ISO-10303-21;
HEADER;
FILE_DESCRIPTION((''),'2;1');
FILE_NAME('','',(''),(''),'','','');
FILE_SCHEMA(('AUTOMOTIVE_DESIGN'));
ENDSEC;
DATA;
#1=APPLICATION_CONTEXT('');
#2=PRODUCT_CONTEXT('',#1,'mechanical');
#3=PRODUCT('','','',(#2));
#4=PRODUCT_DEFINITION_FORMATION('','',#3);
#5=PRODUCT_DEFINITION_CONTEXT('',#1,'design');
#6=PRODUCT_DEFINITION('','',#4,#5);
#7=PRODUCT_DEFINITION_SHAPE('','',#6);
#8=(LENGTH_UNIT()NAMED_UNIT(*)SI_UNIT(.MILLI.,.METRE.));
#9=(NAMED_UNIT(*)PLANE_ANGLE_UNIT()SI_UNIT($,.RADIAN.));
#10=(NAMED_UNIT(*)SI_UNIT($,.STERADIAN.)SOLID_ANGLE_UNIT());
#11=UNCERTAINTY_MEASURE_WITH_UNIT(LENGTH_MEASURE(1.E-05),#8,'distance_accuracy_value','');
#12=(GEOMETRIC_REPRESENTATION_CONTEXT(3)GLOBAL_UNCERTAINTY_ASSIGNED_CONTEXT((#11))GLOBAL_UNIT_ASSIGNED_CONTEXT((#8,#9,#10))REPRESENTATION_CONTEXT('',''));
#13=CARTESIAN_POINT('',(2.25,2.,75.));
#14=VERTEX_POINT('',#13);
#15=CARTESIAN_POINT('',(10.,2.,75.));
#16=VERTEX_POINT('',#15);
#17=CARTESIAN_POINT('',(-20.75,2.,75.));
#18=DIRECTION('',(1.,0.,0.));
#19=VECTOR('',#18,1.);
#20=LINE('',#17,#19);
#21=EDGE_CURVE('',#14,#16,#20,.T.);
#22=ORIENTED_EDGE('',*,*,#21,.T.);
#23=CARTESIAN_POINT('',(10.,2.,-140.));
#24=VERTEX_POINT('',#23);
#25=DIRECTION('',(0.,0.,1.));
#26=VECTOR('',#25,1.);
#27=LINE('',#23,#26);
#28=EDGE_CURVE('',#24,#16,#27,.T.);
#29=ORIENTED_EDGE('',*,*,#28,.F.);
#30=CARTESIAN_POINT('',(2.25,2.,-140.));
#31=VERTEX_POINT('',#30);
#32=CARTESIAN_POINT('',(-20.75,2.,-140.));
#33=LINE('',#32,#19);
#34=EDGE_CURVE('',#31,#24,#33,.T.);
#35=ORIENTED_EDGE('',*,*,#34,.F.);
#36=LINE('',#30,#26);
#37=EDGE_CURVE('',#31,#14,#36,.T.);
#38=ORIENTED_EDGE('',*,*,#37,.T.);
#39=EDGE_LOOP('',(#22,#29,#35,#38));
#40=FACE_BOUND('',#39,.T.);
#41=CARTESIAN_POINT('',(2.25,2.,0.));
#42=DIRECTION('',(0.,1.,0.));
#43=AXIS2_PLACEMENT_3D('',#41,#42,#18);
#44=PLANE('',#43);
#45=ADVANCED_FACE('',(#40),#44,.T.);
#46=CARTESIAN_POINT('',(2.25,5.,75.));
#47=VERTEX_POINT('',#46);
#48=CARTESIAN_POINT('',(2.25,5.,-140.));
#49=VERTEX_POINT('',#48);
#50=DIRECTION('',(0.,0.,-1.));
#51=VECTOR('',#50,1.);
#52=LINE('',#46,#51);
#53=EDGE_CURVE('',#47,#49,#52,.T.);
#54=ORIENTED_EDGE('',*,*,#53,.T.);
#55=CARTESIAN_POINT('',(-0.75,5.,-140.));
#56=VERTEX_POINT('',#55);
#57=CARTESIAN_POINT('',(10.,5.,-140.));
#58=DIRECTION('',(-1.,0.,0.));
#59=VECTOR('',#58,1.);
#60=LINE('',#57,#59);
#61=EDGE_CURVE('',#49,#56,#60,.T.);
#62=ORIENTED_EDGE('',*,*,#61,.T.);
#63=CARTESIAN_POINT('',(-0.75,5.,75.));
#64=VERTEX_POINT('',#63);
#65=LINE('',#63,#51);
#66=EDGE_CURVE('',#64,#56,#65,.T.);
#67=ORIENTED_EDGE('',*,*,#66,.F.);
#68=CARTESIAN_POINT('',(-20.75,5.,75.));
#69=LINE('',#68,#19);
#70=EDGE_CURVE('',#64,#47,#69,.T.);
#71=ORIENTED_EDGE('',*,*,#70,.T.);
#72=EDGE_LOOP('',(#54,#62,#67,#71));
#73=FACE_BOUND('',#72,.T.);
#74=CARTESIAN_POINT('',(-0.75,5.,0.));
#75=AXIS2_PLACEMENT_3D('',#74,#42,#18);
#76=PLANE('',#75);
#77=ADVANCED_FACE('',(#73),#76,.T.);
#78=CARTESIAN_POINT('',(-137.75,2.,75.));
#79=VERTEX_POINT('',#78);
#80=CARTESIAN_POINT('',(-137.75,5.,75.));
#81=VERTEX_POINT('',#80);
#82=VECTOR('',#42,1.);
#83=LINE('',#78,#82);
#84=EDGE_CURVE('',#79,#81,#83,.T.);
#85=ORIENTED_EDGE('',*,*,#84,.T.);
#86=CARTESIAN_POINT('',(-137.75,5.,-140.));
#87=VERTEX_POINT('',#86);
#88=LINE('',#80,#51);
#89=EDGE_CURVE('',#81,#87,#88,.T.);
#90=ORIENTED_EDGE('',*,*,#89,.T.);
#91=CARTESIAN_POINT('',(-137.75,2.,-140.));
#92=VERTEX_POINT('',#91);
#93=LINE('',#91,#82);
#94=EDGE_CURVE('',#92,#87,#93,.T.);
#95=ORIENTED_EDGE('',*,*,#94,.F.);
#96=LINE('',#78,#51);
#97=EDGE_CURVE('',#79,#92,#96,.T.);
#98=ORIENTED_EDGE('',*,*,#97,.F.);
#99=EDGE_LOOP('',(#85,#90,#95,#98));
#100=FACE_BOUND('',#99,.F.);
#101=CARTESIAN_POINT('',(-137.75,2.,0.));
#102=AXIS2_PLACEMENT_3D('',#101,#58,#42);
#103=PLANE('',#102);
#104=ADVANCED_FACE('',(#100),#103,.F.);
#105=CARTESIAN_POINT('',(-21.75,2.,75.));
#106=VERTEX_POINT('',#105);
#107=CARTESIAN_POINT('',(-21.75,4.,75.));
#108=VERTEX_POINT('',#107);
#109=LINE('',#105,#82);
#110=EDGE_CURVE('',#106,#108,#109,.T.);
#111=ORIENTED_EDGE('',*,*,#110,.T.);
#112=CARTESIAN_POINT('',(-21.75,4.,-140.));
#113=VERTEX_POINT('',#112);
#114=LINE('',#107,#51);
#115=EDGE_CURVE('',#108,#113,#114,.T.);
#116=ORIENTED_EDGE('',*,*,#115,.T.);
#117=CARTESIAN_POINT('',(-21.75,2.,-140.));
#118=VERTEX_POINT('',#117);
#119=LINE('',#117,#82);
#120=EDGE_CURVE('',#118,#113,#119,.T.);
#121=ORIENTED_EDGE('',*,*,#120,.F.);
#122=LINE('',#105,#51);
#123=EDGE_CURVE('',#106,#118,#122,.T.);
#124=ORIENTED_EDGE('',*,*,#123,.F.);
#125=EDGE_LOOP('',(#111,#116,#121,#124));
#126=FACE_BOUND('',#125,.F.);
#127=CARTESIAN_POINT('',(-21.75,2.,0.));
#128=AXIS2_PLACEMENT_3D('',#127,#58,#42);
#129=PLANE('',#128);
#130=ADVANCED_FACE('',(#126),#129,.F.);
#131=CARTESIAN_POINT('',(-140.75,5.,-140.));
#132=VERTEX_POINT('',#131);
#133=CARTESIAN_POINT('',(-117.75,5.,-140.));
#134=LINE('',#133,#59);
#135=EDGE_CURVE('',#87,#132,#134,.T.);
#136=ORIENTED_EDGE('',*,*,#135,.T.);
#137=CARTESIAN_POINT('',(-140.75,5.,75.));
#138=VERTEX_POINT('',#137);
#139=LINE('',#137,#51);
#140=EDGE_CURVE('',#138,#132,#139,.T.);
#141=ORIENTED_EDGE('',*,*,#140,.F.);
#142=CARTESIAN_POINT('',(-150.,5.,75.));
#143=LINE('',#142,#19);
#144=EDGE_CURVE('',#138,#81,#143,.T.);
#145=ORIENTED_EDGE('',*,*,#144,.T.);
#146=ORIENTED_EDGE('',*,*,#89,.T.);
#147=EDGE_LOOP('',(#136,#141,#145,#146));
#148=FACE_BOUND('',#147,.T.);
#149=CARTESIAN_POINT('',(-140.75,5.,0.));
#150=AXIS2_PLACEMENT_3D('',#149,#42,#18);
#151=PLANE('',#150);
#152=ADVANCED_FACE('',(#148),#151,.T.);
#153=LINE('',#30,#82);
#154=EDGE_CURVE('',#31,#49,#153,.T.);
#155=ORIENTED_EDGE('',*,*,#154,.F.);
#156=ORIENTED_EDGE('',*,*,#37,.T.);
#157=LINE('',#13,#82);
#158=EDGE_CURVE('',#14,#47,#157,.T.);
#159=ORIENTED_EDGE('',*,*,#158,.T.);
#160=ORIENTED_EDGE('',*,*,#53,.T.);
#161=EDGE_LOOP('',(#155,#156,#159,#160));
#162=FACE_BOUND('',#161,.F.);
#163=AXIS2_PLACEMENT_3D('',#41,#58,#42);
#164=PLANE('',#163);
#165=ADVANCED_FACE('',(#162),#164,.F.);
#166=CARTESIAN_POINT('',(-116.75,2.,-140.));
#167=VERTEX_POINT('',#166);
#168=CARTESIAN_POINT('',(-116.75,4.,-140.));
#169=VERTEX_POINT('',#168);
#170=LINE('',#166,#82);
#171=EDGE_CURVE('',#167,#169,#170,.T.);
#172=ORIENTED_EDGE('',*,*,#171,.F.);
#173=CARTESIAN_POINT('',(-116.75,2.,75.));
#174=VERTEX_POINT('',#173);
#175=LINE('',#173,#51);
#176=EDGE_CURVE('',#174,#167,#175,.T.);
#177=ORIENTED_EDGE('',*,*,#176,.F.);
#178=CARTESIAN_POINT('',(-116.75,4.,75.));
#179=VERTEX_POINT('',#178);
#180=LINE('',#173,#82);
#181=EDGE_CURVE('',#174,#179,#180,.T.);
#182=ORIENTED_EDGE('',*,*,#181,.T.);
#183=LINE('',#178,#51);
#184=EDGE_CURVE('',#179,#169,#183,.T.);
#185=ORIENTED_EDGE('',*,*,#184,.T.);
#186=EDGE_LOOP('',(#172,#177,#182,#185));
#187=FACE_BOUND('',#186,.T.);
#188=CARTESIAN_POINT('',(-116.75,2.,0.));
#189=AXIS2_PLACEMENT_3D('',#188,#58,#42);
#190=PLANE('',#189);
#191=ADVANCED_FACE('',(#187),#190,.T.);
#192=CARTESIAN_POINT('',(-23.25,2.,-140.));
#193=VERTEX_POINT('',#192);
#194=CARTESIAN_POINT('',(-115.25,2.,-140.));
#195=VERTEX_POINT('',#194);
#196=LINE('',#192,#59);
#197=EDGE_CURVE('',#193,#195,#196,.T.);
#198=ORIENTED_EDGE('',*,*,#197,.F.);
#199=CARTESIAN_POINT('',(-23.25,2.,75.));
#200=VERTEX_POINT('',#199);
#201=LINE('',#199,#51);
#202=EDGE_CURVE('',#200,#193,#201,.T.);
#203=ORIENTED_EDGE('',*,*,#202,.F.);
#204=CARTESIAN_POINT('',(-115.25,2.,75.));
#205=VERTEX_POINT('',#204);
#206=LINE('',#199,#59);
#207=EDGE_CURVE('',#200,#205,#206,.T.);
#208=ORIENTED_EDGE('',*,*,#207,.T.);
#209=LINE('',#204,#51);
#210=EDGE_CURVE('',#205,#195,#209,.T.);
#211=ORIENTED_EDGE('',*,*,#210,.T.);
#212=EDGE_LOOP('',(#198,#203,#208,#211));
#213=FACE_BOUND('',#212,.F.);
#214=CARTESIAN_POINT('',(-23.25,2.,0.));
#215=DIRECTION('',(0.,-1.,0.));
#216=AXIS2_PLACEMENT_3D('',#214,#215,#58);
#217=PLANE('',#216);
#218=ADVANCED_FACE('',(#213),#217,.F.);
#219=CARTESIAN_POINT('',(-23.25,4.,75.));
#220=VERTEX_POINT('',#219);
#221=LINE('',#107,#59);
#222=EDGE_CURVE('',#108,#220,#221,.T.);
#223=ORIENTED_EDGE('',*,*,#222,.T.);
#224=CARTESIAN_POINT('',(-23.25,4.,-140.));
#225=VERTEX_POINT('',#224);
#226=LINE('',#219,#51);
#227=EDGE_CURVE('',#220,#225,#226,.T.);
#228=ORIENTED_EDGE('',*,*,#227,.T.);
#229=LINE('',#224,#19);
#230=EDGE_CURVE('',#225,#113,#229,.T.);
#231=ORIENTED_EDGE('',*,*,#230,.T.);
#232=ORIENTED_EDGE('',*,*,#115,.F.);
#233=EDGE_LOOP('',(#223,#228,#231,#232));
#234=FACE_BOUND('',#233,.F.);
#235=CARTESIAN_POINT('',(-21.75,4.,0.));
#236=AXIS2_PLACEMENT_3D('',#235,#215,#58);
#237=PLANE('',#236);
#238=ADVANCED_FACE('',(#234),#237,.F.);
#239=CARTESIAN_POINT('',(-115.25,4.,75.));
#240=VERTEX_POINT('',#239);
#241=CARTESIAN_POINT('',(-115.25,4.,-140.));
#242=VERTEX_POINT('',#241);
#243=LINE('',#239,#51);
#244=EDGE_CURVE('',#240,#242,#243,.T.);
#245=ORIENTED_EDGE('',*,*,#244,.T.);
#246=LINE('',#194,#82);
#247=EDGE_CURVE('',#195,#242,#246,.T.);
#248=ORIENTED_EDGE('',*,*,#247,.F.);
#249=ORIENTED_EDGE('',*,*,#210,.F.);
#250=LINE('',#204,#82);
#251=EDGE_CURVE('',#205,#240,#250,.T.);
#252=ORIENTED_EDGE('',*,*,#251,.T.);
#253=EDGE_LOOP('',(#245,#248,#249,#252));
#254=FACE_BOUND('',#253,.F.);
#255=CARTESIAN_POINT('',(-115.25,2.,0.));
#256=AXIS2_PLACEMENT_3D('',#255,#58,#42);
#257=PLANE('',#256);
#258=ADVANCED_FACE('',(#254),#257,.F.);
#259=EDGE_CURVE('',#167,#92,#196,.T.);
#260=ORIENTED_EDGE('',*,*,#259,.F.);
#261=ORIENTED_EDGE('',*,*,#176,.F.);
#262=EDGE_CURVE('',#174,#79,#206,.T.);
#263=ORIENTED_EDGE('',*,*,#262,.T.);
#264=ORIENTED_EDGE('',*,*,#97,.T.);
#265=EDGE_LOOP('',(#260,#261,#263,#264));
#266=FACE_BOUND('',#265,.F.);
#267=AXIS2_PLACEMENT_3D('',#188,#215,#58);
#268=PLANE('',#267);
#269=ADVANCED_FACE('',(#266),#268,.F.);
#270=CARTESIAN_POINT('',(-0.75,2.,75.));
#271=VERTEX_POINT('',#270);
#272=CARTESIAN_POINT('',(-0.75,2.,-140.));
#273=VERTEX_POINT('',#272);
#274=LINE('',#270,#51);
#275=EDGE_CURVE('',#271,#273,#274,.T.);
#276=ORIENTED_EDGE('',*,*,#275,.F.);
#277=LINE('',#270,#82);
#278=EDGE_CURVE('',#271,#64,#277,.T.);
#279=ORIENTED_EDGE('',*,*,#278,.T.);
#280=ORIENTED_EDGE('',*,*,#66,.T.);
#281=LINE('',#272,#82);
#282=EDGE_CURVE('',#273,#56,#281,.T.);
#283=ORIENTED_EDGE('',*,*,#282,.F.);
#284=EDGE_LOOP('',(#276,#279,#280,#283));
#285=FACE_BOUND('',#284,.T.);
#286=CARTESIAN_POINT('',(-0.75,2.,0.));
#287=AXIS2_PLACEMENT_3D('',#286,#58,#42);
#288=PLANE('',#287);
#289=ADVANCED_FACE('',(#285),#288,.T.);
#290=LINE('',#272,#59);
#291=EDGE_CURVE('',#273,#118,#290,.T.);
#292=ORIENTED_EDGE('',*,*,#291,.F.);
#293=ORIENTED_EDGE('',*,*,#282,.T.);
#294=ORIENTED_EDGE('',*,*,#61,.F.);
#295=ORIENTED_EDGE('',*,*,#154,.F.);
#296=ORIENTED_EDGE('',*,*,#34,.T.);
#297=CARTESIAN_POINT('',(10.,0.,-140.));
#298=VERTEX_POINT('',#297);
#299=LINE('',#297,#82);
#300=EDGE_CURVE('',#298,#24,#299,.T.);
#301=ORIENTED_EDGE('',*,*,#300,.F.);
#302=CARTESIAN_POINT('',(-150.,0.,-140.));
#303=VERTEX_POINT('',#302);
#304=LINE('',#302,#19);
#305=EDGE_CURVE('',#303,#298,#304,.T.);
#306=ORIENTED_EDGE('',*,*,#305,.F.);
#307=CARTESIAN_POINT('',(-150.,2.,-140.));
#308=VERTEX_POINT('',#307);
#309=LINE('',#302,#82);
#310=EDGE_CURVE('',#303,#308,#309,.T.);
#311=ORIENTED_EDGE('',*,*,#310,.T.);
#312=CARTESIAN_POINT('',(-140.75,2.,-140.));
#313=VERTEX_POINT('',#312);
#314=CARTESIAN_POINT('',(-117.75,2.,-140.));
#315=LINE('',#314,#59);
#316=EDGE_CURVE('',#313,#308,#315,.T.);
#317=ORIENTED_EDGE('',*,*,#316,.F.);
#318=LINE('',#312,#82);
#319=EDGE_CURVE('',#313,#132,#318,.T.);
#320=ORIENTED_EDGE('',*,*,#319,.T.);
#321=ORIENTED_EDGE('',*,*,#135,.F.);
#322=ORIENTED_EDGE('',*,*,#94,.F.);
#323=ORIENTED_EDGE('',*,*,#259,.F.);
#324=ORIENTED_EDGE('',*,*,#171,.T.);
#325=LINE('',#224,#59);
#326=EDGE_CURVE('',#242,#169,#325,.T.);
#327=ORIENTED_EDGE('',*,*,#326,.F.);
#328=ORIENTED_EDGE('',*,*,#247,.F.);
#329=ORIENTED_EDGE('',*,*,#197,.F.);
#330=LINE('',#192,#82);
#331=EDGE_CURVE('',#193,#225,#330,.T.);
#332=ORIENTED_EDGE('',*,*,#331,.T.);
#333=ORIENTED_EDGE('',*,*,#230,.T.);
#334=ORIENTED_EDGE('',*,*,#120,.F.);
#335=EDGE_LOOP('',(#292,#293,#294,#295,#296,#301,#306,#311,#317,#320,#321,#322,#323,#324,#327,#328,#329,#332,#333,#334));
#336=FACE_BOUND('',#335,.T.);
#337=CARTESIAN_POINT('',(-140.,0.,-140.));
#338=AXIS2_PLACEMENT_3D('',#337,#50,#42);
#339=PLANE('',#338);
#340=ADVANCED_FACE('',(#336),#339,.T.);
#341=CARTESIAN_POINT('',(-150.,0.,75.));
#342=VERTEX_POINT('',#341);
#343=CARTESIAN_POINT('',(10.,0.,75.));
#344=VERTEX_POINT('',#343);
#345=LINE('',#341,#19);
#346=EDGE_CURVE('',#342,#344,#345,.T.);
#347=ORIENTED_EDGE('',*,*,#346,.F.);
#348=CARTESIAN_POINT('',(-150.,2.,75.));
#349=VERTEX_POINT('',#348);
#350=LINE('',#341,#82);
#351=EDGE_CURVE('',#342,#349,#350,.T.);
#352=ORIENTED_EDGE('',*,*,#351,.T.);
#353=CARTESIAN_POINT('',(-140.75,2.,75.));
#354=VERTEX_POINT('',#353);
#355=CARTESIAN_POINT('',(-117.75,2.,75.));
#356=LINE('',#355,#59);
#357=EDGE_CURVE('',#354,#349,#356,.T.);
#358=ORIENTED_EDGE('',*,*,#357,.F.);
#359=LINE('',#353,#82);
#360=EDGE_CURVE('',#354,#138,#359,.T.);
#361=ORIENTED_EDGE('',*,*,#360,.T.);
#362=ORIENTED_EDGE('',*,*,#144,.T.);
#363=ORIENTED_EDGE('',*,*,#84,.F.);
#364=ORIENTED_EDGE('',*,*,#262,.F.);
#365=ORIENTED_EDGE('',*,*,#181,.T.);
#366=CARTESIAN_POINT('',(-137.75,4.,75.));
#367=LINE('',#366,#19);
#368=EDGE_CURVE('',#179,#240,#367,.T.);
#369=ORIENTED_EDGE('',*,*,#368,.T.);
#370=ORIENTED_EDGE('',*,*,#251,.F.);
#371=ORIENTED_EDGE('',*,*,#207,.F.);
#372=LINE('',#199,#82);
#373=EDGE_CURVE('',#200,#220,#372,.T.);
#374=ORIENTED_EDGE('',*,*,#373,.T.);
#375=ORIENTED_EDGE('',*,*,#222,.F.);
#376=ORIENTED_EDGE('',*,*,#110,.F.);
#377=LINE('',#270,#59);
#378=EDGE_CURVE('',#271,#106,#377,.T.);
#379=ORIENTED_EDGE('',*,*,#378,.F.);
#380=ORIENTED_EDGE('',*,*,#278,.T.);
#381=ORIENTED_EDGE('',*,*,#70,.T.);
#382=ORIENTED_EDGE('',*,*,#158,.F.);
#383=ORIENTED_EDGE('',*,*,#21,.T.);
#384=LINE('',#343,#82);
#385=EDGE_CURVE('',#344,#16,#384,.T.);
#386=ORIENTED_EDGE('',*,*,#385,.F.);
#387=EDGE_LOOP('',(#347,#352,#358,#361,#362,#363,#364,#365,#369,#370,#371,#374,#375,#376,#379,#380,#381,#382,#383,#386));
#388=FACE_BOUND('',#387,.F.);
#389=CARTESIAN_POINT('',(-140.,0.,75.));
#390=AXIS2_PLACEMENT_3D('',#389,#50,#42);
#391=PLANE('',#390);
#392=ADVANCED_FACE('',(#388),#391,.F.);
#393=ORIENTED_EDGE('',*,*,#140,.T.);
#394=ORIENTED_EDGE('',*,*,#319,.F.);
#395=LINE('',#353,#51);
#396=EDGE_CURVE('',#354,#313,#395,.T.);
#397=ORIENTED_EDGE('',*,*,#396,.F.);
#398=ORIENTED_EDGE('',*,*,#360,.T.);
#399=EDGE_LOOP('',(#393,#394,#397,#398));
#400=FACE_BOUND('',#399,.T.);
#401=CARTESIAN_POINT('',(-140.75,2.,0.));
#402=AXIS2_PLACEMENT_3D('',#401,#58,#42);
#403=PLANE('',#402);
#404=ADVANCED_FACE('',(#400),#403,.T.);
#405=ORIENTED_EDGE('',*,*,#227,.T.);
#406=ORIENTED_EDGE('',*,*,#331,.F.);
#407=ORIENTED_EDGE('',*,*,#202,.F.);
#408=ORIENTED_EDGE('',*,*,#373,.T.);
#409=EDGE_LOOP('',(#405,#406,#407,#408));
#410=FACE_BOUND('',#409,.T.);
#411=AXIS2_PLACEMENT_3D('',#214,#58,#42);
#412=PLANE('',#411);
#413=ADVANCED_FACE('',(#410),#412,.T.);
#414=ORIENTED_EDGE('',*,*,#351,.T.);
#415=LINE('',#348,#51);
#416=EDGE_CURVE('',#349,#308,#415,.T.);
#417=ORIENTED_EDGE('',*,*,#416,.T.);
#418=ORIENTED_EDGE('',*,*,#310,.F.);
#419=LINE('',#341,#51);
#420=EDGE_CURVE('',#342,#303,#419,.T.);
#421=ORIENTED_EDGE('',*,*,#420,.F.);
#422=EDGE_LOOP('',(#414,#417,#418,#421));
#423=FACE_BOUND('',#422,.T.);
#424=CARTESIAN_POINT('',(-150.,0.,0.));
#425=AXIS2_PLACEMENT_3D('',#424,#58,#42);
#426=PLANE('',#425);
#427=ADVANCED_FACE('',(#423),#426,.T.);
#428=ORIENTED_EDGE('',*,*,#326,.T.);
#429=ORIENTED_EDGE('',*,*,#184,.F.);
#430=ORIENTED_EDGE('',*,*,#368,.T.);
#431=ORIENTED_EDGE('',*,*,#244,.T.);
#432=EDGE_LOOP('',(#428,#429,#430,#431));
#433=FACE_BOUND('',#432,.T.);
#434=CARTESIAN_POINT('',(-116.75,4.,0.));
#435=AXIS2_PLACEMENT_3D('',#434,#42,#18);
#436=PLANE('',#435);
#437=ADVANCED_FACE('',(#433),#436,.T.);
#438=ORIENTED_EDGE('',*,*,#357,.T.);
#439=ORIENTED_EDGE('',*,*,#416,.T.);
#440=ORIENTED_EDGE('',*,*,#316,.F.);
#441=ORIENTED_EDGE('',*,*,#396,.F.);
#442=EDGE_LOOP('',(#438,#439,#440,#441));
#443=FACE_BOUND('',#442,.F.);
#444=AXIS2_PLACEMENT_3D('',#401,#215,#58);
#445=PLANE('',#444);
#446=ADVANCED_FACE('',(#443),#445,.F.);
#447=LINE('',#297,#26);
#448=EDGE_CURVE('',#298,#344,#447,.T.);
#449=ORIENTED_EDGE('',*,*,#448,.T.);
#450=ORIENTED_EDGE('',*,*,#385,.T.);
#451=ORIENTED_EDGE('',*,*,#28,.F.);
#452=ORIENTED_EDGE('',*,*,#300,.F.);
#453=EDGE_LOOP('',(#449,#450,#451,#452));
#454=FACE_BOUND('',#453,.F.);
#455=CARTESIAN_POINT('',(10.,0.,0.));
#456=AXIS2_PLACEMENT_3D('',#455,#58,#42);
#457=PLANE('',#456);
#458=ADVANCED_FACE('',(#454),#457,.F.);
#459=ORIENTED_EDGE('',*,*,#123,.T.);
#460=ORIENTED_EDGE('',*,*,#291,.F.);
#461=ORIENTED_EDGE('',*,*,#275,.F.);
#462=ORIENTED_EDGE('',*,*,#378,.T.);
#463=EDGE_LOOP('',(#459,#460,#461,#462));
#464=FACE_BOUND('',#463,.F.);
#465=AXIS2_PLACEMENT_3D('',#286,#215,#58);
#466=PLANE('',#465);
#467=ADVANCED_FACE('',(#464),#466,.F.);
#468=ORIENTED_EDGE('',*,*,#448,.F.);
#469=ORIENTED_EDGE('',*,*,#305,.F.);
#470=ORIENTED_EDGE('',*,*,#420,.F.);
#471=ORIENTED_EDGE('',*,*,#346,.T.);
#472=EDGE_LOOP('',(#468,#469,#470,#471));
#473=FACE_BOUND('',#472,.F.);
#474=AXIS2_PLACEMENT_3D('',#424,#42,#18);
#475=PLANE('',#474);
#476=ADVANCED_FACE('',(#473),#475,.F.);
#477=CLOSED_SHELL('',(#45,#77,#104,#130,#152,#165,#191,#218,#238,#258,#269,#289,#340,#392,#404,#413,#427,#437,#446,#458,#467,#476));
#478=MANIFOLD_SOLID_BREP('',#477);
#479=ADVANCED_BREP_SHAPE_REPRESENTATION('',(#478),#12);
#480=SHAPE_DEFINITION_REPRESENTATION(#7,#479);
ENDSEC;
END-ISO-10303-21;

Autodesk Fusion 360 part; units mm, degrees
sketch "Sketch1" plane through (0, 0, 0) normal (0, 1, 0) x (1, 0, 0)
  line L0 (0, 0) -> (-140, 0)
  line L1 (-140, 0) -> (-140, 140)
  line L2 (-140, 140) -> (0, 140)
  line L3 (0, 140) -> (0, 0)
  dimension "d1" = 140
  dimension "d2" = 140
extrude "Extrude1" add sketch "Sketch1" along normal blind 2 makes body 1
sketch "Sketch2" plane through (0, 2, 0) normal (0, 1, 0) x (-1, 0, 0)
  line L0 (0, -140) -> (140, -140)
  line L1 (140, -140) -> (140, 0)
  line L2 (140, 0) -> (0, 0)
  line L3 (0, 0) -> (0, -140)
  line L4 (70, -140) -> (23, -140)
  line L5 (117, -140) -> (116, -140)
  line L6 (117, -140) -> (117.75, -140)
  line L7 (117.75, -140) -> (116.25, -140)
  line L8 (117.75, -140) -> (116.25, -140)
  line L9 (116.25, -140) -> (116.25, 0)
  line L10 (116.25, 0) -> (117.75, 0)
  line L11 (117.75, 0) -> (117.75, -140)
  dimension "d5" = 47
  dimension "d6" = 47
  dimension "d7" = 0.75
  dimension "d8" = 1.5
extrude "Extrude2" add sketch "Sketch2" along normal blind 2 contours L0 L2 L5 L6 L7 L8 L9 L10 L11 bodies 1
sketch "Sketch3" plane through (0, 2, 0) normal (0, 1, 0) x (-1, 0, 0)
  line L0 (116.25, -140) -> (116.25, 0)
  line L1 (116.25, 0) -> (0, 0)
  line L2 (0, 0) -> (0, -140)
  line L3 (0, -140) -> (116.25, -140)
  line L4 (0, -140) -> (22.25, -140)
  line L5 (22.25, -140) -> (20.75, -140)
  line L6 (20.75, -140) -> (20.75, 0)
  line L7 (20.75, 0) -> (22.25, 0)
  line L8 (22.25, 0) -> (22.25, -140)
  dimension "d11" = 22.25
  dimension "d12" = 1.5
extrude "Extrude3" add sketch "Sketch3" along normal blind 2 contours L1 L3 L4 L5 L6 L7 L8 bodies 1
sketch "Sketch4" plane through (0, 2, 0) normal (0, 1, 0) x (-1, 0, 0)
extrude "Extrude4" add 1 faces at (0, 0.6667, -93.3333) along direction (1, 0, 0) blind 10 on bodies 1 bodies 1
extrude "Extrude5" add 1 faces at (-140, 0.6667, -46.6667) along direction (-1, 0, 0) blind 10 on bodies 1 bodies 1
sketch "Sketch5" plane through (0, 2, 0) normal (0, 1, 0) x (-1, 0, 0)
  line L0 (20.75, -140) -> (20.75, 0)
  line L1 (20.75, 0) -> (-10, 0)
  line L2 (-10, 0) -> (-10, -140)
  line L3 (-10, -140) -> (20.75, -140)
  line L4 (0.75, -140) -> (-2.25, -140)
  line L5 (-2.25, -140) -> (-2.25, 0)
  line L6 (-2.25, 0) -> (0.75, 0)
  line L7 (0.75, 0) -> (0.75, -140)
  dimension "d19" = 20
  dimension "d20" = 3
  dimension "d21" = 140
extrude "Extrude6" add sketch "Sketch5" along normal blind 3 contours L1 L3 L4 L5 L6 L7 bodies 1
sketch "Sketch6" plane through (0, 2, 0) normal (0, 1, 0) x (-1, 0, 0)
  line L0 (117.75, 0) -> (117.75, -140)
  line L1 (117.75, -140) -> (150, -140)
  line L2 (150, -140) -> (150, 0)
  line L3 (150, 0) -> (117.75, 0)
  line L4 (137.75, -140) -> (140.75, -140)
  line L5 (140.75, -140) -> (140.75, 0)
  line L6 (140.75, 0) -> (137.75, 0)
  line L7 (137.75, 0) -> (137.75, -140)
  dimension "d24" = 20
  dimension "d25" = 3
  dimension "d26" = 140
extrude "Extrude7" add sketch "Sketch6" along normal blind 3 contours L1 L3 L4 L5 L6 L7 bodies 1
sketch "Sketch7" plane through (0, 5, 0) normal (0, 1, 0) x (-1, 0, 0)
sketch "Sketch8" plane through (0, 2, 0) normal (0, 1, 0) x (-1, 0, 0)
sketch "Sketch9" plane through (0, 5, 0) normal (0, 1, 0) x (-1, 0, 0)
sketch "Sketch10" plane through (0, 5, 0) normal (0, 1, 0) x (-1, 0, 0)
sketch "Sketch11" plane through (0, 2, 0) normal (0, 1, 0) x (-1, 0, 0)
  line L0 (22.25, -140) -> (116.25, -140)
  line L1 (116.25, -140) -> (116.25, 0)
  line L2 (116.25, 0) -> (22.25, 0)
  line L3 (23.25, 0) -> (21.75, 0)
  line L4 (21.75, 0) -> (21.75, -140)
  line L5 (21.75, -140) -> (23.25, -140)
  line L6 (23.25, -140) -> (23.25, 0)
  dimension "d29" = 1
  dimension "d30" = 1.5
extrude "Extrude8" cut 1 faces at (-21.75, 4, -93.3333) along direction (0, -1, 0) blind 2 on bodies 1 bodies 1
extrude "Extrude9" add sketch "Sketch11" along normal blind 2 contours L0 L2 L3 L4 L5 L6 bodies 1
extrude "Extrude10" cut 1 faces at (-116.75, 4, -93.3333) along direction (0, -1, 0) blind 2 on bodies 1 bodies 1
sketch "Sketch12" plane through (0, 2, 0) normal (0, 1, 0) x (-1, 0, 0)
  line L0 (23.25, 0) -> (23.25, -140)
  line L1 (23.25, -140) -> (137.75, -140)
  line L2 (137.75, -140) -> (137.75, 0)
  line L3 (137.75, 0) -> (23.25, 0)
  line L4 (23.25, -140) -> (115.25, -140)
  line L5 (115.25, -140) -> (116.75, -140)
  line L6 (116.75, -140) -> (116.75, 0)
  line L7 (116.75, 0) -> (115.25, 0)
  line L8 (115.25, 0) -> (115.25, -140)
  dimension "d37" = 92
  dimension "d38" = 1.5
extrude "Extrude11" add sketch "Sketch12" along normal blind 2 contours L1 L3 L5 L6 L7 L8 bodies 1
sketch "Sketch13" plane through (0, 2, 0) normal (0, 1, 0) x (-1, 0, 0)
copy_body "Body->Comp1" bodies 1 removing the originals makes body 2 in component "Component"
extrude "Extrude1'" add 1 faces at (-92.5833, 0.6667, 0) along direction (0, 0, 1) blind 75 on bodies 2 bodies 2 in component "Component"
component "Component" placed x (1, 0, 0) y (0, 1, 0) z (0, 0, 1) at (0, 0, 0)
